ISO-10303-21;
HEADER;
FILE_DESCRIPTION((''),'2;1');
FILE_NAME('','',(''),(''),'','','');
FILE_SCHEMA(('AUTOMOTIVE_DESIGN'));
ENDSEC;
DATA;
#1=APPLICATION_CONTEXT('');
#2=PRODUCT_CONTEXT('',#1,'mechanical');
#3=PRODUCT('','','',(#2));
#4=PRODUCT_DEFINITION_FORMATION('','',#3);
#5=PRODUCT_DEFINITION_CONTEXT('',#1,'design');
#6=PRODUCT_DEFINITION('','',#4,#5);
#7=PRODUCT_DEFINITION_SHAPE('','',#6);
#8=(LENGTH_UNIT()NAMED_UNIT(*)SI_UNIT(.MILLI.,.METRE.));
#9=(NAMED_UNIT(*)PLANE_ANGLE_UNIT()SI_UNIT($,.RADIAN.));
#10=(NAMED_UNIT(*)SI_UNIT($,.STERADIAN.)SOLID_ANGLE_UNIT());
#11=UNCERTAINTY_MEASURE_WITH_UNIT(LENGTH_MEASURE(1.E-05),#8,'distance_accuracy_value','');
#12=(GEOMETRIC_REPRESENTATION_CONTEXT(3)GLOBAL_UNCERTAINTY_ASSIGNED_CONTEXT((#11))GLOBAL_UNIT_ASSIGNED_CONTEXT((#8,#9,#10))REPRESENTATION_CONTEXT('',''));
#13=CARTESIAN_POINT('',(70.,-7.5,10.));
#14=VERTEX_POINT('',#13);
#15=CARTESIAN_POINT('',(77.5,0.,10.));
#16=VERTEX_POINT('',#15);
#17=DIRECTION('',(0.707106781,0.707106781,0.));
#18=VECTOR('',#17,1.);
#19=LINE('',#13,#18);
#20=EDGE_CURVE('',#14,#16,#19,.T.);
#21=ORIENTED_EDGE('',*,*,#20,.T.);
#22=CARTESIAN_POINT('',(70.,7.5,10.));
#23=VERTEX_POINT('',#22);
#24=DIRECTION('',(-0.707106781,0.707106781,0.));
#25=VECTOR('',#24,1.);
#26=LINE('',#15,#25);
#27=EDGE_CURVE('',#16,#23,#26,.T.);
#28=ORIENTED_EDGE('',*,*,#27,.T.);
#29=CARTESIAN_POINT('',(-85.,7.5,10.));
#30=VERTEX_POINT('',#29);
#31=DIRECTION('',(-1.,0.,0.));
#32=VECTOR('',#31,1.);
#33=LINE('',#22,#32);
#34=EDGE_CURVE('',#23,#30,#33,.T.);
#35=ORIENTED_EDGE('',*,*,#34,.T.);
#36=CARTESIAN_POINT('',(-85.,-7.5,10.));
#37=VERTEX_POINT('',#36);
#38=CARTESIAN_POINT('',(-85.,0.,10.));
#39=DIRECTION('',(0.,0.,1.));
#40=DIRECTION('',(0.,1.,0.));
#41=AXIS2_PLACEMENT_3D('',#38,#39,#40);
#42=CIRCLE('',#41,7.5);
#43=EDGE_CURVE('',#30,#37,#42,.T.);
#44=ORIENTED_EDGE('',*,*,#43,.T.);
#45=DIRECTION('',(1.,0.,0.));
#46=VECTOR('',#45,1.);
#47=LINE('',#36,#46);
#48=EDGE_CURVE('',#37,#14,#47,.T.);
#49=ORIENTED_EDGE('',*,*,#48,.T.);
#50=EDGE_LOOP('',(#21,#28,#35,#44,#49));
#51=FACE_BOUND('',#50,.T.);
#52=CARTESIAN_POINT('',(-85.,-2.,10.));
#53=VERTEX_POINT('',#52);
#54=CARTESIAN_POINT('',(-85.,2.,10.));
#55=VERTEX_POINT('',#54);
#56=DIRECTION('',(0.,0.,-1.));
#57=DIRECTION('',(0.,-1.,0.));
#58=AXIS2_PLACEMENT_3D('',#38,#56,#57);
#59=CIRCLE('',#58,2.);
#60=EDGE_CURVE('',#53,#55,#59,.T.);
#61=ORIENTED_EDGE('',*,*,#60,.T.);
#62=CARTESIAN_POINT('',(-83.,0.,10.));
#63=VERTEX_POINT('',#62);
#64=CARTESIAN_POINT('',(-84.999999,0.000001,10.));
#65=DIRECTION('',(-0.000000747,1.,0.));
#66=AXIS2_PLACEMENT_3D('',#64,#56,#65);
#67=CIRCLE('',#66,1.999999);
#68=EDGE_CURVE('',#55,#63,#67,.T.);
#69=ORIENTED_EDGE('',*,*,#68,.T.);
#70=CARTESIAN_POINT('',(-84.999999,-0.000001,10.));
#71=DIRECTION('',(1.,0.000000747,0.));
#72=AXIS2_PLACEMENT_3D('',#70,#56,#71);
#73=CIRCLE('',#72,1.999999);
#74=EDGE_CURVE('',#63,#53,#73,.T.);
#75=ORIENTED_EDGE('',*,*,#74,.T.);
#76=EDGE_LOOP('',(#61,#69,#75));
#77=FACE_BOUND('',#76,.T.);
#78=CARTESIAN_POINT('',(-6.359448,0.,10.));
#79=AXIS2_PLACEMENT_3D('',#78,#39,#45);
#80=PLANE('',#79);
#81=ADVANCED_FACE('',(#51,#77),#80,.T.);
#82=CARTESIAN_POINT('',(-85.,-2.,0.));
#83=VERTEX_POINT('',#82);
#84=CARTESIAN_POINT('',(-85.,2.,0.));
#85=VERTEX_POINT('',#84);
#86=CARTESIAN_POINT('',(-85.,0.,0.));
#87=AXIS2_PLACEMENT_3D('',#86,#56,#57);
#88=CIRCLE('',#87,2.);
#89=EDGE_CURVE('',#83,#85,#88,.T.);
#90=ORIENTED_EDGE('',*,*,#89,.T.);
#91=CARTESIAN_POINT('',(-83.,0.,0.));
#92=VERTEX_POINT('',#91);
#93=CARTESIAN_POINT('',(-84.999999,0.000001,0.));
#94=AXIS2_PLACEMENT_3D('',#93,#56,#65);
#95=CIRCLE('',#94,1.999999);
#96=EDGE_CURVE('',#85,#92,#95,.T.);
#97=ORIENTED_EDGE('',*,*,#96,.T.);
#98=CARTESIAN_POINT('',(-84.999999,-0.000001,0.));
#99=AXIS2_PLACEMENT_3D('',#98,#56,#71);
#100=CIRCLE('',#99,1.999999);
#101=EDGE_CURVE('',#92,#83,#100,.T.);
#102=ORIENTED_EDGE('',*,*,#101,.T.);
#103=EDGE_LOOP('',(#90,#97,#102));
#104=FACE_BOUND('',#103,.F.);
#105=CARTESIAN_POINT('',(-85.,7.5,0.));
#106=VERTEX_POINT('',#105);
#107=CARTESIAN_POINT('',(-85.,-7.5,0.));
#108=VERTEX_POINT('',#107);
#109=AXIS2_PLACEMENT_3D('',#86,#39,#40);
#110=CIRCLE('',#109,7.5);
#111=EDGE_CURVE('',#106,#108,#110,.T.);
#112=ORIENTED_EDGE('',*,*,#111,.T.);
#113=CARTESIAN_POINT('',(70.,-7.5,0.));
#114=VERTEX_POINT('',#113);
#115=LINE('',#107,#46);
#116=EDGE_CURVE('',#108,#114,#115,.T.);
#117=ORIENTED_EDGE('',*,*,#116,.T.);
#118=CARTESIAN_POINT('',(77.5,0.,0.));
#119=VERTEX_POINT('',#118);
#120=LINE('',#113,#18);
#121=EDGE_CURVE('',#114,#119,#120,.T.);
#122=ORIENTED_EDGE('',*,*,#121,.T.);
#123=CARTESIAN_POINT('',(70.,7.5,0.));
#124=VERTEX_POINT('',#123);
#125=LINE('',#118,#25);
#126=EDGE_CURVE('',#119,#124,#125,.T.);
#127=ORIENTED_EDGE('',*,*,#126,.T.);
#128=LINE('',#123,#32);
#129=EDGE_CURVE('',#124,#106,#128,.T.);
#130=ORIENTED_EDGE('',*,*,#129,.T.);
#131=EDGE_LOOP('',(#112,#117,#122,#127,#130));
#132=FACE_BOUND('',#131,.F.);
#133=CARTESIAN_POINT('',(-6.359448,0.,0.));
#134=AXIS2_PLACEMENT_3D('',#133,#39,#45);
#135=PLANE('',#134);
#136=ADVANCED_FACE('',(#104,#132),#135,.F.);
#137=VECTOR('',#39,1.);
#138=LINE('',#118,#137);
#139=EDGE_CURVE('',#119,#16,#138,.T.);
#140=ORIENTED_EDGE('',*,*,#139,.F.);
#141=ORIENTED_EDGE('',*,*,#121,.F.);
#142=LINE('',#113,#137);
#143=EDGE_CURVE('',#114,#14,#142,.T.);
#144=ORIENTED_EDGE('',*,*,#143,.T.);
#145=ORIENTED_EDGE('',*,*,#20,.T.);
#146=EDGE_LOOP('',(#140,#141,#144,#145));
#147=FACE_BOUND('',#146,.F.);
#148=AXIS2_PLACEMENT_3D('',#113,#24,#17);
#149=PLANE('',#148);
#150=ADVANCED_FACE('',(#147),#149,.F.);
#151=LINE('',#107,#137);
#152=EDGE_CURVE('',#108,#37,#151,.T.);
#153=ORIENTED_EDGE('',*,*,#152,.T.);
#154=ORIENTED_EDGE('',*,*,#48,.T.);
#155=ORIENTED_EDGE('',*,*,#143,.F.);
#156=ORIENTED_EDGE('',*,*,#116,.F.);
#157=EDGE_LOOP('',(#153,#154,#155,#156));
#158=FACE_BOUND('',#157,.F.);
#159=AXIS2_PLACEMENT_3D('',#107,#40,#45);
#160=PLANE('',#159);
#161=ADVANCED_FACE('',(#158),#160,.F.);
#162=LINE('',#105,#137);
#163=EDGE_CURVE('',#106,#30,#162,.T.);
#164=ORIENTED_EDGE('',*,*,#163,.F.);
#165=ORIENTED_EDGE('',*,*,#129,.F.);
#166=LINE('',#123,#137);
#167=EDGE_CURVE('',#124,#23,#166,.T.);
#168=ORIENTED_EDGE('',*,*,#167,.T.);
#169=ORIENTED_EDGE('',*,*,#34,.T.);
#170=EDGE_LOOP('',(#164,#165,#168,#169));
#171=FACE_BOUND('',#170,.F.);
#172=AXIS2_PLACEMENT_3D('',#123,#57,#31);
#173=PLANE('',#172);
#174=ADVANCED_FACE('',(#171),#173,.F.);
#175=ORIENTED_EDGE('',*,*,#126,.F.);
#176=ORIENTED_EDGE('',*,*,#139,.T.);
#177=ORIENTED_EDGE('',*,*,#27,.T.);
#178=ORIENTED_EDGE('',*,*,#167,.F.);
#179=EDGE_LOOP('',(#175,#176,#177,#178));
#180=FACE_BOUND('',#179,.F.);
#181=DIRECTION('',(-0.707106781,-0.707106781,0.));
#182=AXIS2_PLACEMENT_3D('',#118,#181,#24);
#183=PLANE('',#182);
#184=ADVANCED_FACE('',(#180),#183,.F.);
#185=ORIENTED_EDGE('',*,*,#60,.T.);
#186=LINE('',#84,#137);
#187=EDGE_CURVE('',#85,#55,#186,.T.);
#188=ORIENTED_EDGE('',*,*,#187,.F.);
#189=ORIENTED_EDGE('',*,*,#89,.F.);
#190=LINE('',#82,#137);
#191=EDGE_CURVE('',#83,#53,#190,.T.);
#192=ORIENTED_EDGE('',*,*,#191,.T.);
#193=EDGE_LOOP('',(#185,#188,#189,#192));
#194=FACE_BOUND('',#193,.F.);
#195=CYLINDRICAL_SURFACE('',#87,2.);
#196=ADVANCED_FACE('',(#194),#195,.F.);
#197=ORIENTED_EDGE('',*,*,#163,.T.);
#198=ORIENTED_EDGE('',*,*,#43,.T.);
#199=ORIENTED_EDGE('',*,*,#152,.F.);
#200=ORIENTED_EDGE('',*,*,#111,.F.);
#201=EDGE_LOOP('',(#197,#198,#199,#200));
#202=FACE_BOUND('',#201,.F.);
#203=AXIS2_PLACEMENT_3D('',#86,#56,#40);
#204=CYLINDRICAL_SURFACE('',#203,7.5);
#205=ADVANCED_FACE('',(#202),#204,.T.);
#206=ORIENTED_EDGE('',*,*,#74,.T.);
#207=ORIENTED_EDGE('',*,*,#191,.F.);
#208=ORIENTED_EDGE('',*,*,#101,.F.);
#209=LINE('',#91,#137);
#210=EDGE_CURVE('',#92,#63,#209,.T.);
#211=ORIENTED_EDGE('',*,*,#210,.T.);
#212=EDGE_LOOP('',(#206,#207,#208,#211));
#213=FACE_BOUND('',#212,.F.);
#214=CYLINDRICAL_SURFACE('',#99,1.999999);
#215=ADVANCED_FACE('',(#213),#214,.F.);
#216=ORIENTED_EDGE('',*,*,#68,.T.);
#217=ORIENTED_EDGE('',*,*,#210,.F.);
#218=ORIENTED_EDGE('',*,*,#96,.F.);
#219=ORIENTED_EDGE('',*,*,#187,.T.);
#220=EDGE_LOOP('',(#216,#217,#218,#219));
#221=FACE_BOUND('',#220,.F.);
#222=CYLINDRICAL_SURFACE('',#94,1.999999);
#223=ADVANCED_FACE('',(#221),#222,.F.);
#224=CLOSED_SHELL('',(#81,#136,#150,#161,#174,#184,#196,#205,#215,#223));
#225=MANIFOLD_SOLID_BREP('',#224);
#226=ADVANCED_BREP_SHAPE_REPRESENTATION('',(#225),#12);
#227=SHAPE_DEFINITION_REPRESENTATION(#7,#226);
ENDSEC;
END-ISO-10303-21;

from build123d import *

# Parameters (mm, degrees)
F1_DEPTH = 10


with BuildPart() as f1:
    # F0 (on Top) → F1 (new body)
    with BuildSketch(Plane.XY):
        with BuildLine():
            Line((70, 7.5), (-85, 7.5))
            Line((-85, 7.5), (-85, 2))
            ThreePointArc((-85, 2), (-83.585786, 1.414214), (-83, 0))
            ThreePointArc((-83, 0), (-83.585786, -1.414214), (-85, -2))
            Line((-85, -2), (-85, -7.5))
            Line((-85, -7.5), (70, -7.5))
            Line((70, -7.5), (77.5, 0))
            Line((77.5, 0), (70, 7.5))
        make_face()
        with BuildLine():
            Line((-85, 2), (-85, 7.5))
            ThreePointArc((-85, 7.5), (-92.5, 0), (-85, -7.5))
            Line((-85, -7.5), (-85, -2))
            ThreePointArc((-85, -2), (-87, 0), (-85, 2))
        make_face()
    extrude(amount=F1_DEPTH)


solid = f1.part
